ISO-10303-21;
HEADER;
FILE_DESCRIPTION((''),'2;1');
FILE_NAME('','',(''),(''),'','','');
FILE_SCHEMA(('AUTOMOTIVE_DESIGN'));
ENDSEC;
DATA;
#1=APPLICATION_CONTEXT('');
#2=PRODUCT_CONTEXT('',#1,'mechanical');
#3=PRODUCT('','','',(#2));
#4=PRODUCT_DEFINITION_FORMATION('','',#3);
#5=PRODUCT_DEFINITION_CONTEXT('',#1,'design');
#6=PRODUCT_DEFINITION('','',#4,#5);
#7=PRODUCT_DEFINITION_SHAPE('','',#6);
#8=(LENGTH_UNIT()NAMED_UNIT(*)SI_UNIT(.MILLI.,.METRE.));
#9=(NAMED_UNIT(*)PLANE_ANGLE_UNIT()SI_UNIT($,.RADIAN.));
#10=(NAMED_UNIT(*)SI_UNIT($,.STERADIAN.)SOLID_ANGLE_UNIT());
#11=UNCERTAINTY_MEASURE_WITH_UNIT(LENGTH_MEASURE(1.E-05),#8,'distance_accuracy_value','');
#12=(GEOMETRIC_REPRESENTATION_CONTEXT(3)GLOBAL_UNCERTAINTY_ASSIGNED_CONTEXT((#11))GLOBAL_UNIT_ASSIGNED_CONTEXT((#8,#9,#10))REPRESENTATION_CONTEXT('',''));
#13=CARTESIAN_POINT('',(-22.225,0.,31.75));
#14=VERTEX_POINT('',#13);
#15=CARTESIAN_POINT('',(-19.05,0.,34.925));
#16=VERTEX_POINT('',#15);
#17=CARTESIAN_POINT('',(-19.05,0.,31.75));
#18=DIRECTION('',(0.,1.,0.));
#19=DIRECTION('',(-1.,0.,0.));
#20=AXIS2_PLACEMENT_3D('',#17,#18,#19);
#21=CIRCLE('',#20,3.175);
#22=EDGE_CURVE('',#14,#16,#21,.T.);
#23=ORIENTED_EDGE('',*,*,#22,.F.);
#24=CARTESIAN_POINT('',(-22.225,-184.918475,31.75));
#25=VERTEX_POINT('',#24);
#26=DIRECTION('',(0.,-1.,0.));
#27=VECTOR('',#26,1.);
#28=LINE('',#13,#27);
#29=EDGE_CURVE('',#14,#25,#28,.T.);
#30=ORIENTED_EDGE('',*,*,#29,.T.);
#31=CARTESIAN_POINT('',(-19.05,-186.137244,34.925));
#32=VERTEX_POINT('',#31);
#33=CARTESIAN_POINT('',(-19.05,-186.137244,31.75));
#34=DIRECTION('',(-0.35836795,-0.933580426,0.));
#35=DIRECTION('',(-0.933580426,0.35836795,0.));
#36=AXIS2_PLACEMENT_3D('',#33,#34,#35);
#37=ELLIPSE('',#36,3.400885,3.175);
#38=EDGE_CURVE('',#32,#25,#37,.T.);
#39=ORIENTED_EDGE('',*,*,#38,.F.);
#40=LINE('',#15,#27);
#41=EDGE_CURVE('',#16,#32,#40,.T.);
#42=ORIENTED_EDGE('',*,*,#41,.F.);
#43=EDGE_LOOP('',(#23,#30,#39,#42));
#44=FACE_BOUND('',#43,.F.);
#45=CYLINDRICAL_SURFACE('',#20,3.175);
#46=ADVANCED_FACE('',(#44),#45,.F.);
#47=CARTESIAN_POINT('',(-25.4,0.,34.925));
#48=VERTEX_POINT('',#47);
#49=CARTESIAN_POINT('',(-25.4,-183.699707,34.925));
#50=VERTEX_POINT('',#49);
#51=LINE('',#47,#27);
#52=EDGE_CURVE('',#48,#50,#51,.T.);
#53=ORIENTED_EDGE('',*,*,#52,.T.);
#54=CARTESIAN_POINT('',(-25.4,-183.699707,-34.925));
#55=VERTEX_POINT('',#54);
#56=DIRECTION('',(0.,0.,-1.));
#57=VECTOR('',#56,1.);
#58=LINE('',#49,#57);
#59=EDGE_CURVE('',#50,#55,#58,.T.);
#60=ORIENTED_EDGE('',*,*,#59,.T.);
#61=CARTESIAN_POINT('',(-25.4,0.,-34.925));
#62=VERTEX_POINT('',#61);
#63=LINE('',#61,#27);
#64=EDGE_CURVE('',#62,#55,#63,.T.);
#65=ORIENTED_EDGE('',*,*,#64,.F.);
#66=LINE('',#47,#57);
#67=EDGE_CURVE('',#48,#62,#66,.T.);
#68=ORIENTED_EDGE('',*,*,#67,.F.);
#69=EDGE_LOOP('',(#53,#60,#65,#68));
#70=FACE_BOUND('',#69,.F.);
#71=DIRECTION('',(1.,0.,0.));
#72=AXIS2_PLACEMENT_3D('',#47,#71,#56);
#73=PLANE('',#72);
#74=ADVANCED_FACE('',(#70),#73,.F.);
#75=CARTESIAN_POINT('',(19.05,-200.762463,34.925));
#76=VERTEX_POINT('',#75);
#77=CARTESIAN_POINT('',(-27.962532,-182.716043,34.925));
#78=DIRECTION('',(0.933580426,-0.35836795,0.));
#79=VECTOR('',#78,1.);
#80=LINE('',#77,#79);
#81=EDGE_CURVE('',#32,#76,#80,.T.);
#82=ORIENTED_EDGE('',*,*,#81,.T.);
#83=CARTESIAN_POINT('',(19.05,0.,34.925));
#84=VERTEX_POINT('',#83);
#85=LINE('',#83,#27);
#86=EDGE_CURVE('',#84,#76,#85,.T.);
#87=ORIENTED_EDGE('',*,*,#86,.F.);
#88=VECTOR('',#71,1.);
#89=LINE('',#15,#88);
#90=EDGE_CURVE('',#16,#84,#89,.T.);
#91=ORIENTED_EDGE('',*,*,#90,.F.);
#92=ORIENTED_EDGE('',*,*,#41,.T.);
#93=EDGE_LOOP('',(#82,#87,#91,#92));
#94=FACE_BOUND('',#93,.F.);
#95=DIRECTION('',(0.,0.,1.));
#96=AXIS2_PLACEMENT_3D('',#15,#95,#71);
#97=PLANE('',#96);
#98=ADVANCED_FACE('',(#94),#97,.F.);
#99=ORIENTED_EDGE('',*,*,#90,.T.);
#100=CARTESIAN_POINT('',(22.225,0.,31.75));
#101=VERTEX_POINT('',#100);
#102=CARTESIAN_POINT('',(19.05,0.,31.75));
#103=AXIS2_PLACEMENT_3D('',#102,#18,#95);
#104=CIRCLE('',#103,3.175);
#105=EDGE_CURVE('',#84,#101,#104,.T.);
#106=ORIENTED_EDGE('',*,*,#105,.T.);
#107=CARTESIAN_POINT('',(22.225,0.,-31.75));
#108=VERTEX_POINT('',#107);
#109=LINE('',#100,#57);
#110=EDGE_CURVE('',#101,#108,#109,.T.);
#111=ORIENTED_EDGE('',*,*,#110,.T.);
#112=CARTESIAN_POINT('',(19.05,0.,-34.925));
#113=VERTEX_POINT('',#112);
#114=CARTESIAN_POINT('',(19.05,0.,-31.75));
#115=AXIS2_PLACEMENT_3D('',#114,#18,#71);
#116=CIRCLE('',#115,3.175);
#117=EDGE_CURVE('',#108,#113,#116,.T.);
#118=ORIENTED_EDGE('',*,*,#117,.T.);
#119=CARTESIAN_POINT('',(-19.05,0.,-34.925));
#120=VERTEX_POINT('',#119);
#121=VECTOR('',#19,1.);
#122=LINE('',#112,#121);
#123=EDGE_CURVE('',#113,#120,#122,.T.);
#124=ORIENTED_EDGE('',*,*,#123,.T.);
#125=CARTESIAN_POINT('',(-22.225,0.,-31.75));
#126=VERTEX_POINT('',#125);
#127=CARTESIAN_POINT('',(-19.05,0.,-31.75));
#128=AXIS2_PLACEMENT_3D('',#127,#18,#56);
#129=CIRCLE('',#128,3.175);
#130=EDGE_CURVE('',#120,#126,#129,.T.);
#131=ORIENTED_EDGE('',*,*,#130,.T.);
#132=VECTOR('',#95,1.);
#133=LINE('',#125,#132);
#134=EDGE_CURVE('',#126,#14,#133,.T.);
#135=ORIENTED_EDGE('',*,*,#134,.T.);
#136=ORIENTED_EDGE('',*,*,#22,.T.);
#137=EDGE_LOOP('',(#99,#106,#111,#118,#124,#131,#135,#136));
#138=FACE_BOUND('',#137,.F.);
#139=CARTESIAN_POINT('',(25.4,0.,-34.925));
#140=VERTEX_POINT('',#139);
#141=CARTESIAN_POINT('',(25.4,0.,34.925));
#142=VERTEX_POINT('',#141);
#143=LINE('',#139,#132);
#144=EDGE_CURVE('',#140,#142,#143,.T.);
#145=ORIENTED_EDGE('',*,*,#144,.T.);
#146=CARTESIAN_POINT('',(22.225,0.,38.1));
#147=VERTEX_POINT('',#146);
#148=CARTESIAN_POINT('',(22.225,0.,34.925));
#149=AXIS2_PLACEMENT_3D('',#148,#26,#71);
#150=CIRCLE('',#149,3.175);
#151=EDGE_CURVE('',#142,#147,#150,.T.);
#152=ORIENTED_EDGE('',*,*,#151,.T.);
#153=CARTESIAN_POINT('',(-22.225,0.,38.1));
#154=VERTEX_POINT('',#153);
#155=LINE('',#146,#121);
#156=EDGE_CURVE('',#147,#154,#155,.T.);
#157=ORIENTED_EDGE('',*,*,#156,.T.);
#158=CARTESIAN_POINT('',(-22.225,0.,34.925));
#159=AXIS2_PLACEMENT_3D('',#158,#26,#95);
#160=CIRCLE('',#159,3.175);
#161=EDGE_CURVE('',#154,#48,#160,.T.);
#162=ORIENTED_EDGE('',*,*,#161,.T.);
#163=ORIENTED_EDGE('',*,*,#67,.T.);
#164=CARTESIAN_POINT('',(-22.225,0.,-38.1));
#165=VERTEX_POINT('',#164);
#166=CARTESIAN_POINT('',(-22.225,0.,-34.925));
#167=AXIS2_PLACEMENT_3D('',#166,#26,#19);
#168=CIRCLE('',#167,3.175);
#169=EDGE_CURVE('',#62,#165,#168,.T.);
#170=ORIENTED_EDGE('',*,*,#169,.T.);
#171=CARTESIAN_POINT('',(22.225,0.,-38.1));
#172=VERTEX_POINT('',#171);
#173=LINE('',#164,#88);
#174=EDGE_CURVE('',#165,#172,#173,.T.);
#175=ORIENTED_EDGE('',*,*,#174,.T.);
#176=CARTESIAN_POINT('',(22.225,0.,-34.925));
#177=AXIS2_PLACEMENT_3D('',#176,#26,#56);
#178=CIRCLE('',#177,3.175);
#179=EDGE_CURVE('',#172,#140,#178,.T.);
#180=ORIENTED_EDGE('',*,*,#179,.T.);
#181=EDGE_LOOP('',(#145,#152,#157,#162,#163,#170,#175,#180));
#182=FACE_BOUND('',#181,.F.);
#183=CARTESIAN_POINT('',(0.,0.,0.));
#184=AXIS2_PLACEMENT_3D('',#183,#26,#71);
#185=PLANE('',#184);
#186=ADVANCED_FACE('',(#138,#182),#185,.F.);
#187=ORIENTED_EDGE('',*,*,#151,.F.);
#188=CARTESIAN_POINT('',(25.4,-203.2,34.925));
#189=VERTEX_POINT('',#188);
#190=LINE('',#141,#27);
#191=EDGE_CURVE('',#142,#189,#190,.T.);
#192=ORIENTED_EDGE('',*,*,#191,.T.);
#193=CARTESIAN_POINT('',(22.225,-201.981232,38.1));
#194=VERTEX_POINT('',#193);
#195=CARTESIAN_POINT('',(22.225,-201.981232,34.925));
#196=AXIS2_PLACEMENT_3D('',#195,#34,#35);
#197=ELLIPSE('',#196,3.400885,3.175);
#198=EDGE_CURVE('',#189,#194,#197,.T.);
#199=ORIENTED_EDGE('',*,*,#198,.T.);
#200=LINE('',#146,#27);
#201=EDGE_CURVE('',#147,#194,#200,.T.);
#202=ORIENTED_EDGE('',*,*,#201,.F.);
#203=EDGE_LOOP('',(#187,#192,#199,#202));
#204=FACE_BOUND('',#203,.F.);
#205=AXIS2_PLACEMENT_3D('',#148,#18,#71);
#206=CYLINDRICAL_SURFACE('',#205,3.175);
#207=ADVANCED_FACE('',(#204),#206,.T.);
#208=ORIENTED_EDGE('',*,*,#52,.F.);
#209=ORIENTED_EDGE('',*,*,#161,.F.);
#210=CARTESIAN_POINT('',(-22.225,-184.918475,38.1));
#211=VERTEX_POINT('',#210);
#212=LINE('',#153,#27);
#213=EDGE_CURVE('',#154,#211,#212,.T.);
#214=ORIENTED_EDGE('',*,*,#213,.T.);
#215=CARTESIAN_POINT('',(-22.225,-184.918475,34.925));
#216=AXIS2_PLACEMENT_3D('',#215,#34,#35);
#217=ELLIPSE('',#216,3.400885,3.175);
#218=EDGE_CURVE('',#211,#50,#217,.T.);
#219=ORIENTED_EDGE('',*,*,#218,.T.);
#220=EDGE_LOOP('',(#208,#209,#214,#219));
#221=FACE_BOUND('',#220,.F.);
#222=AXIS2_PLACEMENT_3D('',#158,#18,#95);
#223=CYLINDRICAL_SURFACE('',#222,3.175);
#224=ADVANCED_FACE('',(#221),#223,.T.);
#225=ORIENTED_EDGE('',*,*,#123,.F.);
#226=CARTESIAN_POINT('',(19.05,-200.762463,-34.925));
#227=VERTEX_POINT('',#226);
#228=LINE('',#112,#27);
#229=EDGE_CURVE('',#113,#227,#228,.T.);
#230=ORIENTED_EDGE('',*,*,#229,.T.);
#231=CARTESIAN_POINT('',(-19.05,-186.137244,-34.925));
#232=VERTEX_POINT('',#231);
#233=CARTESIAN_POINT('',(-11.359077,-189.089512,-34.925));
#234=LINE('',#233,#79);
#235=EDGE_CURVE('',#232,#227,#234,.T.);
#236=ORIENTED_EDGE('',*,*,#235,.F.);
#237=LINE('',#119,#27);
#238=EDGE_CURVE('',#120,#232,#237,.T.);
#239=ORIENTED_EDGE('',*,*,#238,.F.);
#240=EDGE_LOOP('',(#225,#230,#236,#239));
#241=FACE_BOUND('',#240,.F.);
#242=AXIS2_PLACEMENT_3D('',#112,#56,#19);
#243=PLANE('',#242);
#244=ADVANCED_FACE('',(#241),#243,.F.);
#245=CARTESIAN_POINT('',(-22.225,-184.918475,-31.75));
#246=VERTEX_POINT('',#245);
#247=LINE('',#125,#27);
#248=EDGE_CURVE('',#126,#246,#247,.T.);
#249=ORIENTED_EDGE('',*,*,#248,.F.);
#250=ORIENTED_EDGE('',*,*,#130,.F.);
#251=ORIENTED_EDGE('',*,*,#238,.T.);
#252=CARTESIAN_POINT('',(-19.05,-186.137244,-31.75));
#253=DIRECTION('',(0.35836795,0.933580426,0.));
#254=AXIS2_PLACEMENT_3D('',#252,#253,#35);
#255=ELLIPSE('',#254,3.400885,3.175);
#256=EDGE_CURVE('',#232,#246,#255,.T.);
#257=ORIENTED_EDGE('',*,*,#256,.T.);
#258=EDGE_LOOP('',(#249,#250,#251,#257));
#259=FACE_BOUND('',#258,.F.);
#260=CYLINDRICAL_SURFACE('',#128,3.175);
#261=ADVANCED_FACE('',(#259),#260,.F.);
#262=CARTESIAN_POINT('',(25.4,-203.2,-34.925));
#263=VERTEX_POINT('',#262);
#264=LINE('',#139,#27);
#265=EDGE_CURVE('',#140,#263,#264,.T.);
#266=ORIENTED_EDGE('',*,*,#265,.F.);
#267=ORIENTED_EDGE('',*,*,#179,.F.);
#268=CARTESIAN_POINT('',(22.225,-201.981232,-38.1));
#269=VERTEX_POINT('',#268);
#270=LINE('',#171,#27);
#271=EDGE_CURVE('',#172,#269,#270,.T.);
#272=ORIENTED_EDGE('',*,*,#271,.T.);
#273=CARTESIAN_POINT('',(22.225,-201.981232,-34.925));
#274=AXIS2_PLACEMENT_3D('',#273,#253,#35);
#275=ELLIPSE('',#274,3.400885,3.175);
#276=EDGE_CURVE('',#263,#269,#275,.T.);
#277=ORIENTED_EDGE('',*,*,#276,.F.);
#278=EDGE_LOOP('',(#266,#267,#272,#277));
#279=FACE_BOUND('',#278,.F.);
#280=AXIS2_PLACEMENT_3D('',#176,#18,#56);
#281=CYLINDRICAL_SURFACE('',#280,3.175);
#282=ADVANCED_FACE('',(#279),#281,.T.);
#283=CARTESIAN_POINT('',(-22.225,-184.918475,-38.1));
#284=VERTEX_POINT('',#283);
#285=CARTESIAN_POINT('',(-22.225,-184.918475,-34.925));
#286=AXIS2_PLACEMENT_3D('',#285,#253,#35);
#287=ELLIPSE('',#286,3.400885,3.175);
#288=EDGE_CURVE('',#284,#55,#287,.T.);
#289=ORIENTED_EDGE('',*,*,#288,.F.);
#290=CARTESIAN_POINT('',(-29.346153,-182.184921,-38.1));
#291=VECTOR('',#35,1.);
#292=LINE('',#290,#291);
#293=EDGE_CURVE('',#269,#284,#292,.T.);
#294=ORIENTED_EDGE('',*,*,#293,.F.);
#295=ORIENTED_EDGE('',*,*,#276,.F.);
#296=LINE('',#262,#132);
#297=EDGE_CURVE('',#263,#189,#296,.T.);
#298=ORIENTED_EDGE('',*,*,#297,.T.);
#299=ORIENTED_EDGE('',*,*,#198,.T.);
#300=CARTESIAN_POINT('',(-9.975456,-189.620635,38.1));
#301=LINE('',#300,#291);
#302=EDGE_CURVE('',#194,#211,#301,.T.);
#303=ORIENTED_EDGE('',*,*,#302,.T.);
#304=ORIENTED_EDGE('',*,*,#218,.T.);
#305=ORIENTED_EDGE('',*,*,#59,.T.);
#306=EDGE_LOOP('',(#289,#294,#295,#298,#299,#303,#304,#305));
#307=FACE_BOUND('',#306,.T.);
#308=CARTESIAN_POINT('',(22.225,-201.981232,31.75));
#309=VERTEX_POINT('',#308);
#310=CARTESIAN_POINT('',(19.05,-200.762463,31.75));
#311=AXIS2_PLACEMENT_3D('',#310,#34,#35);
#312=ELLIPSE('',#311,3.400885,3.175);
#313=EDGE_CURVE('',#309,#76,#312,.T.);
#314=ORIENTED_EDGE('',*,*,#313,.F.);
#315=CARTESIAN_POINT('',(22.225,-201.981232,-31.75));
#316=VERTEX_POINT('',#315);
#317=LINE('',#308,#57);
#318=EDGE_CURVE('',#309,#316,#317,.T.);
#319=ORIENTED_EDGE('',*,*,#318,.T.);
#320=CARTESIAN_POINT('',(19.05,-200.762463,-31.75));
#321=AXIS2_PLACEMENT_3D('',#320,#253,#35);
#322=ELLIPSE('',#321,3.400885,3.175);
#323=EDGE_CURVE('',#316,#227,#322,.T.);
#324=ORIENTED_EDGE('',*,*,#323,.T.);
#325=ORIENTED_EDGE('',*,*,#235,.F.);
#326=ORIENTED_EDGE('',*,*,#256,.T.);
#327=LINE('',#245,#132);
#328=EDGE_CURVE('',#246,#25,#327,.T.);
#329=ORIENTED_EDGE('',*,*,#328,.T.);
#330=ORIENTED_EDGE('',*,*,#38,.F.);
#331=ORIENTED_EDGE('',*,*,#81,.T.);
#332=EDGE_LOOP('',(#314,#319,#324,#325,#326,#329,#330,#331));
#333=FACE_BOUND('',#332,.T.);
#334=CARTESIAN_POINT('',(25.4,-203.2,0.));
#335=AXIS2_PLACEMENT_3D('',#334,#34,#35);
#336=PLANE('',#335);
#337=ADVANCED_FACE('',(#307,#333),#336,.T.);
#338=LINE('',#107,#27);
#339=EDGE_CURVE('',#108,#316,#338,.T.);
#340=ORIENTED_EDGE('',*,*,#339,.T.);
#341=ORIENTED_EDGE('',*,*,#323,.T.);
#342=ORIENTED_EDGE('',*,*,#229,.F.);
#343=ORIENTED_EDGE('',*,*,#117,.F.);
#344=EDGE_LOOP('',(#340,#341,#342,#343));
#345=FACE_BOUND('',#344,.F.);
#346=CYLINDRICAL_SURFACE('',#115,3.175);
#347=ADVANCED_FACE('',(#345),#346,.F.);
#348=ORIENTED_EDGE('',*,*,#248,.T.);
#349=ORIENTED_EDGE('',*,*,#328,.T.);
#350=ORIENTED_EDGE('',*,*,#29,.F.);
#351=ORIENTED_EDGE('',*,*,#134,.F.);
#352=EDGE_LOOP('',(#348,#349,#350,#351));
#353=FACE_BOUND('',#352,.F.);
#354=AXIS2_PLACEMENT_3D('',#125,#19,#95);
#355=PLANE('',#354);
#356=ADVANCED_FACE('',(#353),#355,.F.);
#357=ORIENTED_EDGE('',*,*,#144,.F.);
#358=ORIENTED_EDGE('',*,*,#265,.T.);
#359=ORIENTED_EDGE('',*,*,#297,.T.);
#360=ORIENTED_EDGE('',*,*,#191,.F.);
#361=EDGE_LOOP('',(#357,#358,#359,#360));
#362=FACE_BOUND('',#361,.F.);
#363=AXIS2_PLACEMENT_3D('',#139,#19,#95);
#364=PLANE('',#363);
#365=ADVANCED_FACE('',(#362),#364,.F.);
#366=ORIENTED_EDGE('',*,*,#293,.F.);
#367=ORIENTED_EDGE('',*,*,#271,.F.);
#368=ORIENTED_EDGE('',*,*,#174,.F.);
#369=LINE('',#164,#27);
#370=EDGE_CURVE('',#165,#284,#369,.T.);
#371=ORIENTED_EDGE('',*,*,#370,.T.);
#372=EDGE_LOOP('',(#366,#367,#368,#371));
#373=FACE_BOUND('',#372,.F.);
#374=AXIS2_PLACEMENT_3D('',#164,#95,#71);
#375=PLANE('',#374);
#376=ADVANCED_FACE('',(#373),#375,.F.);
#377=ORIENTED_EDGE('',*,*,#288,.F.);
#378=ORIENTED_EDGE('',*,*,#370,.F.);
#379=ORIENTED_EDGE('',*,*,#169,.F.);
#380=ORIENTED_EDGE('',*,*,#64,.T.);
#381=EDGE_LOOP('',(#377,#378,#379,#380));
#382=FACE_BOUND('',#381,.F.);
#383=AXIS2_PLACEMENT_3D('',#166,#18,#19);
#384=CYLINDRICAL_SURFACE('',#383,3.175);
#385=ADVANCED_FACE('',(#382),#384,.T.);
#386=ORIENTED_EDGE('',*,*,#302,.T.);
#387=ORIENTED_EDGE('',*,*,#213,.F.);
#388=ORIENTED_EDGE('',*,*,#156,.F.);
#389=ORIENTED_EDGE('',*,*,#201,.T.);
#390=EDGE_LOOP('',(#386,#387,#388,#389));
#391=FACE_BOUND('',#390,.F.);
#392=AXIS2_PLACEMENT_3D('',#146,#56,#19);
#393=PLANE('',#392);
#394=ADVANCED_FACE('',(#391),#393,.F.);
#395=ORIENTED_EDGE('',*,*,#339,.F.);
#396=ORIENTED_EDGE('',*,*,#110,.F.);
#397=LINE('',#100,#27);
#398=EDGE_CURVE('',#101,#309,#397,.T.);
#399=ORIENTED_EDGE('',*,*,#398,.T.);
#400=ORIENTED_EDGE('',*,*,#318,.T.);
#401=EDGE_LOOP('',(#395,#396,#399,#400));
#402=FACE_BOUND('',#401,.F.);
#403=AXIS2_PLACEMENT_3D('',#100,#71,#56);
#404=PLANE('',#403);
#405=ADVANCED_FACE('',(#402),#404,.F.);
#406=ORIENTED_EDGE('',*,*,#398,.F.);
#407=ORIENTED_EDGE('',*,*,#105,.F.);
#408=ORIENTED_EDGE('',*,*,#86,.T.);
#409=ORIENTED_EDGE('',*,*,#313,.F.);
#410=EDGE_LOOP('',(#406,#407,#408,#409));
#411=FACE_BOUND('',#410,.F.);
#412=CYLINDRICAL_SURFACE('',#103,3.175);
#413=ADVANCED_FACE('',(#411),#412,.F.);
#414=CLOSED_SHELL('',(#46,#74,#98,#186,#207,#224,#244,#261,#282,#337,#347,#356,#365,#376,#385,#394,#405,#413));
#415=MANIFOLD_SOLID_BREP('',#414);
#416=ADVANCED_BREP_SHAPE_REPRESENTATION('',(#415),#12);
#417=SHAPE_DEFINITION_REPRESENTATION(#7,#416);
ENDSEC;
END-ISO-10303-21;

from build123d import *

# Parameters (mm, degrees)
F1_DEPTH      = 203.2
F3_DEPTH      = 38.101
F3_DEPTH_BACK = 38.101


with BuildPart() as f1:
    # F0 (on Front) → F1 (new body)
    with BuildSketch(Plane.XZ):
        with BuildLine():
            ThreePointArc((25.4, 34.925), (24.4700640303, 37.1700640303), (22.225, 38.1))
            Line((22.225, 38.1), (-22.225, 38.1))
            ThreePointArc((-22.225, 38.1), (-24.4700640303, 37.1700640303), (-25.4, 34.925))
            Line((-25.4, 34.925), (-25.4, -34.925))
            ThreePointArc((-25.4, -34.925), (-24.4700640303, -37.1700640303), (-22.225, -38.1))
            Line((-22.225, -38.1), (22.225, -38.1))
            ThreePointArc((22.225, -38.1), (24.4700640303, -37.1700640303), (25.4, -34.925))
            Line((25.4, -34.925), (25.4, 34.925))
        make_face()
        with BuildLine():
            Line((-19.05, 34.925), (19.05, 34.925))
            ThreePointArc((19.05, 34.925), (21.2950640303, 33.9950640303), (22.225, 31.75))
            Line((22.225, 31.75), (22.225, -31.75))
            ThreePointArc((22.225, -31.75), (21.2950640303, -33.9950640303), (19.05, -34.925))
            Line((19.05, -34.925), (-19.05, -34.925))
            ThreePointArc((-19.05, -34.925), (-21.2950640303, -33.9950640303), (-22.225, -31.75))
            Line((-22.225, -31.75), (-22.225, 31.75))
            ThreePointArc((-22.225, 31.75), (-21.2950640303, 33.9950640303), (-19.05, 34.925))
        make_face(mode=Mode.SUBTRACT)
    extrude(amount=F1_DEPTH)

    # F2 (on Top) → F3 (cut, two sides)
    with BuildSketch(Plane.XY) as f3_sk:
        Polygon((-25.4, -203.2), (25.4, -203.2), (-25.4, -183.6997070202), align=None)
    extrude(amount=-F3_DEPTH, mode=Mode.SUBTRACT)
    extrude(f3_sk.sketch, amount=F3_DEPTH_BACK, mode=Mode.SUBTRACT)


solid = f1.part
